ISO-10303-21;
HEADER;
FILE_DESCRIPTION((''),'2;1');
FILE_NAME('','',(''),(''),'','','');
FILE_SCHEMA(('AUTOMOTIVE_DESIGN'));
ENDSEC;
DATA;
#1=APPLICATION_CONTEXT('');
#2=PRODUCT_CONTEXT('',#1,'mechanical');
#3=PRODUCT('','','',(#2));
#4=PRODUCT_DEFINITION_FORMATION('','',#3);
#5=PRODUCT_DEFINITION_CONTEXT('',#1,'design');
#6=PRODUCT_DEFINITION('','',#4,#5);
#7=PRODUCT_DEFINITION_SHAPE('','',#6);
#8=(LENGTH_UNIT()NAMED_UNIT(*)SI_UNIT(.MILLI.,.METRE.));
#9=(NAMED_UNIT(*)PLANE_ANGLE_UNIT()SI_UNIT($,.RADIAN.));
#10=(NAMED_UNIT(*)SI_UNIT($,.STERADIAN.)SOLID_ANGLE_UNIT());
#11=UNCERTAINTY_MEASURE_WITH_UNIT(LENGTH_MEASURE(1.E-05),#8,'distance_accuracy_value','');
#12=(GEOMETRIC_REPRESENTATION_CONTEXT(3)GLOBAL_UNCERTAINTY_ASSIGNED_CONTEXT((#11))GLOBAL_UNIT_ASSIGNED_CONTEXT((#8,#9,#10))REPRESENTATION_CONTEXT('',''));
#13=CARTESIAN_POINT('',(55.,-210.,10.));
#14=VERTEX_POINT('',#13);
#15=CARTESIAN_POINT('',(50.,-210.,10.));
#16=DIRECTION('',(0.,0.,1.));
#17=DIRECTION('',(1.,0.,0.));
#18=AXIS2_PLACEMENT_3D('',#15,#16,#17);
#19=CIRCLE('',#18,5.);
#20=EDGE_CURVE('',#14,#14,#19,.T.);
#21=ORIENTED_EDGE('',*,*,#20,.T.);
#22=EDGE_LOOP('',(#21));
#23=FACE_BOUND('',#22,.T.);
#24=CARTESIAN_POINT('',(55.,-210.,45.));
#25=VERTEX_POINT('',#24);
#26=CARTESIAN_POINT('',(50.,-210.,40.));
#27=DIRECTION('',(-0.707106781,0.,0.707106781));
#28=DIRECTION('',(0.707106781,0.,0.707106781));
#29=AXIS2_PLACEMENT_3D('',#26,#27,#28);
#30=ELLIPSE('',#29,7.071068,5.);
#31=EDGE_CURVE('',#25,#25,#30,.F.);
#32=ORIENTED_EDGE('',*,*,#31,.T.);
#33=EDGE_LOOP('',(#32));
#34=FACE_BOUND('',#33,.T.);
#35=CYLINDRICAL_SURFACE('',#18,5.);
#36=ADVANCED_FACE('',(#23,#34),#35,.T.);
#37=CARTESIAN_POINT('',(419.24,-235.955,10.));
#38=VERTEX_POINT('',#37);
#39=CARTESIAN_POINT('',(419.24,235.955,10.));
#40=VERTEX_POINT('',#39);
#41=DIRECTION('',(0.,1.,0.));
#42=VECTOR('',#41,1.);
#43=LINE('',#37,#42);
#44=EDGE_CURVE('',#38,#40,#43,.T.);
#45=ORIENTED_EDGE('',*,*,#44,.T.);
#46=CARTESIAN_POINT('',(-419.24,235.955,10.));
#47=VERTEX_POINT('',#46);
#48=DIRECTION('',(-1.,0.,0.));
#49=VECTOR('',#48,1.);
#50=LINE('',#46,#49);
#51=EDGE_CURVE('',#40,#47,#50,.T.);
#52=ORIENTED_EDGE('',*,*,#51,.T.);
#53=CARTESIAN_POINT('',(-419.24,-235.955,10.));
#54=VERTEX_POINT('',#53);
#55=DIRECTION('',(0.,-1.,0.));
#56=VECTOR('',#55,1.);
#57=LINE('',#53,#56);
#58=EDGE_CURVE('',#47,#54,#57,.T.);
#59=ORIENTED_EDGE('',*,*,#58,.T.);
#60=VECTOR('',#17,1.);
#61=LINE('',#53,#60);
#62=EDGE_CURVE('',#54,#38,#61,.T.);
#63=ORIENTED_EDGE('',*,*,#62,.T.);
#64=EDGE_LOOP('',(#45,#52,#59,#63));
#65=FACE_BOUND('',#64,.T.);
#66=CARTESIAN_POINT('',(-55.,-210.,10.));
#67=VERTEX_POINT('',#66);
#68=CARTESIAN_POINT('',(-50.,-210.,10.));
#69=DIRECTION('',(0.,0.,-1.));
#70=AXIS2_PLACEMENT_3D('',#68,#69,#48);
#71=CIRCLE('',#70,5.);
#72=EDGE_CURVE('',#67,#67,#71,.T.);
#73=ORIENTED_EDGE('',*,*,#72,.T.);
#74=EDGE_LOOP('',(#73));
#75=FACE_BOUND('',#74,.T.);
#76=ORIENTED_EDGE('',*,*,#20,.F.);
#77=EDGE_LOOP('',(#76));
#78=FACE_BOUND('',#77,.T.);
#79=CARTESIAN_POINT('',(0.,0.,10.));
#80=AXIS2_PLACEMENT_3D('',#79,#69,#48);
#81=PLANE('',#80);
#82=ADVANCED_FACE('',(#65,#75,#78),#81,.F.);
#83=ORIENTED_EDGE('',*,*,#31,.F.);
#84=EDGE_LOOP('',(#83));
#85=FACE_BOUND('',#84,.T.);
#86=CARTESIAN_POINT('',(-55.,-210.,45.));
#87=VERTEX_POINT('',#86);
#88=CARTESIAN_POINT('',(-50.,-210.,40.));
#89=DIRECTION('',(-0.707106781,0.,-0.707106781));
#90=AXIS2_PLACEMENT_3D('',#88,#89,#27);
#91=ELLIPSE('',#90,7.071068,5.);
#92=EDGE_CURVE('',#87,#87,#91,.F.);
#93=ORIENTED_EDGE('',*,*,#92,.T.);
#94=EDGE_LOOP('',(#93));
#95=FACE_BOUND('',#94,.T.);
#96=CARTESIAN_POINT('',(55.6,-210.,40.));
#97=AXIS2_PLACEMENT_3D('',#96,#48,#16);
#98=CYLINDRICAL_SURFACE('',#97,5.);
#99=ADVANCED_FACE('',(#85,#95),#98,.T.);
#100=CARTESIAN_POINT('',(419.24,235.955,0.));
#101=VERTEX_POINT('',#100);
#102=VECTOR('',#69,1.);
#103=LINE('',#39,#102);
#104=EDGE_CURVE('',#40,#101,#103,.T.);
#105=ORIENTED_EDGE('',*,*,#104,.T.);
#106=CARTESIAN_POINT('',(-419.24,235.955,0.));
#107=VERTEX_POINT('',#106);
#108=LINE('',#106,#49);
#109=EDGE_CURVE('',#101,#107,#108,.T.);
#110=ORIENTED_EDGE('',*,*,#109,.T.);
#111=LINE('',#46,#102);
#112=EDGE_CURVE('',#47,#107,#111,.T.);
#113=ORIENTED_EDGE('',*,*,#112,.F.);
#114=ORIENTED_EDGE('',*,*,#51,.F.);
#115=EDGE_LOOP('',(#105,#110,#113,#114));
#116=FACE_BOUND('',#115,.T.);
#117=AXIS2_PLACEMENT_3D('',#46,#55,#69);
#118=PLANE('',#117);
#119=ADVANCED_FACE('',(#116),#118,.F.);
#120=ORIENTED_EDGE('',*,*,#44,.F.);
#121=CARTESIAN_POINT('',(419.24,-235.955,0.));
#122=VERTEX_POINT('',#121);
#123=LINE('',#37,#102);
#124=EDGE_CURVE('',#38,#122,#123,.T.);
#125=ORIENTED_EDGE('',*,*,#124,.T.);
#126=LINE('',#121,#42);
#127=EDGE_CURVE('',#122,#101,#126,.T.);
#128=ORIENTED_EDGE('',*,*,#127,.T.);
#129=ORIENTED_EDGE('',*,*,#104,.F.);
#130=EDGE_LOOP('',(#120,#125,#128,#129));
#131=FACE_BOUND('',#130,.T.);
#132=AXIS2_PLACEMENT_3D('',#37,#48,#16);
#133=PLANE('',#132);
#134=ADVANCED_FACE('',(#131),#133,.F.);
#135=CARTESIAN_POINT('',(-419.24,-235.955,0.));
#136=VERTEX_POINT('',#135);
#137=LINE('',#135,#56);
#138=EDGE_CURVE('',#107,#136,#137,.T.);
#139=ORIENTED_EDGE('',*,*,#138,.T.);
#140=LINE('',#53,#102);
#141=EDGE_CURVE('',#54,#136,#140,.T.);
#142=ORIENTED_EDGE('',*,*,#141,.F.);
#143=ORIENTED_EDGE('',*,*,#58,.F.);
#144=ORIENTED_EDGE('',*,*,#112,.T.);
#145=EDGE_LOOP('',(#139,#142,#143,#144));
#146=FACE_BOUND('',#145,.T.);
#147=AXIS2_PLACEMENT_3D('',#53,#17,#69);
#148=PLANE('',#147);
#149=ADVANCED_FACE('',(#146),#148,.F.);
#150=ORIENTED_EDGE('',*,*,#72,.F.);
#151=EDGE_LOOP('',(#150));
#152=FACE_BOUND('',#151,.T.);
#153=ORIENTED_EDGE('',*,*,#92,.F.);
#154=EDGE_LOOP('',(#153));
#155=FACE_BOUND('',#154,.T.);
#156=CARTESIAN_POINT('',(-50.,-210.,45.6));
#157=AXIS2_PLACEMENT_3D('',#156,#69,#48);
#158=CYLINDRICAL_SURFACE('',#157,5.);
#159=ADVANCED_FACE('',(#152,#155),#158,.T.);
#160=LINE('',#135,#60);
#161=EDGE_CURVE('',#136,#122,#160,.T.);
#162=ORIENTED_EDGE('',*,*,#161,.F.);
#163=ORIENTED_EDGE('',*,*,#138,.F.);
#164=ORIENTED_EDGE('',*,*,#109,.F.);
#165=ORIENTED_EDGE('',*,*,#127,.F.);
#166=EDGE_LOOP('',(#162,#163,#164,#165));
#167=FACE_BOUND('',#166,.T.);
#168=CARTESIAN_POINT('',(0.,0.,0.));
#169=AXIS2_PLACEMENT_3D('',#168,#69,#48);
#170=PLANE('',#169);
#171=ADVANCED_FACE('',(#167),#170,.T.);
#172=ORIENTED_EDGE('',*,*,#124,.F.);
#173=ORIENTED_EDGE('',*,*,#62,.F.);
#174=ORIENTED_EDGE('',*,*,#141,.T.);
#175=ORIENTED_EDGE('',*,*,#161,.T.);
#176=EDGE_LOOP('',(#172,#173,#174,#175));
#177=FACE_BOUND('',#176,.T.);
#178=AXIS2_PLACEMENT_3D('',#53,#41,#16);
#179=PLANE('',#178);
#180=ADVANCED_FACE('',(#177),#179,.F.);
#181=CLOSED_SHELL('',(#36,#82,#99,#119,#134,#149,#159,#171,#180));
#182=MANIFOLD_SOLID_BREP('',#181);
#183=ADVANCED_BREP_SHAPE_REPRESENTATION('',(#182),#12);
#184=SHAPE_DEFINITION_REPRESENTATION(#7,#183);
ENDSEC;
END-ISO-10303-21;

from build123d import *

# Parameters (mm, degrees)
SKETCH1_W           = 838.48
SKETCH1_H           = 471.91
BOSS_EXTRUDE1_DEPTH = 10
SKETCH2_R           = 5


with BuildPart() as part:
    # Sketch1 → Boss-Extrude1 (new body)
    with BuildSketch(Plane.XY):
        Rectangle(SKETCH1_W, SKETCH1_H)
    extrude(amount=BOSS_EXTRUDE1_DEPTH)

    # Sweep3: sweep along a curve in space
    with BuildLine() as sweep3_path:
        Line((-50, -210, 10), (-50, -210, 40))
        Line((50, -210, 40), (-50, -210, 40))
        Line((50, -210, 10), (50, -210, 40))
    # Sketch2 → Sweep3 (sweep)
    with BuildSketch(Plane.XY.offset(10)):
        with Locations((50, -210)):
            Circle(SKETCH2_R)
    sweep(path=sweep3_path.line, transition=Transition.RIGHT)


solid = part.part
